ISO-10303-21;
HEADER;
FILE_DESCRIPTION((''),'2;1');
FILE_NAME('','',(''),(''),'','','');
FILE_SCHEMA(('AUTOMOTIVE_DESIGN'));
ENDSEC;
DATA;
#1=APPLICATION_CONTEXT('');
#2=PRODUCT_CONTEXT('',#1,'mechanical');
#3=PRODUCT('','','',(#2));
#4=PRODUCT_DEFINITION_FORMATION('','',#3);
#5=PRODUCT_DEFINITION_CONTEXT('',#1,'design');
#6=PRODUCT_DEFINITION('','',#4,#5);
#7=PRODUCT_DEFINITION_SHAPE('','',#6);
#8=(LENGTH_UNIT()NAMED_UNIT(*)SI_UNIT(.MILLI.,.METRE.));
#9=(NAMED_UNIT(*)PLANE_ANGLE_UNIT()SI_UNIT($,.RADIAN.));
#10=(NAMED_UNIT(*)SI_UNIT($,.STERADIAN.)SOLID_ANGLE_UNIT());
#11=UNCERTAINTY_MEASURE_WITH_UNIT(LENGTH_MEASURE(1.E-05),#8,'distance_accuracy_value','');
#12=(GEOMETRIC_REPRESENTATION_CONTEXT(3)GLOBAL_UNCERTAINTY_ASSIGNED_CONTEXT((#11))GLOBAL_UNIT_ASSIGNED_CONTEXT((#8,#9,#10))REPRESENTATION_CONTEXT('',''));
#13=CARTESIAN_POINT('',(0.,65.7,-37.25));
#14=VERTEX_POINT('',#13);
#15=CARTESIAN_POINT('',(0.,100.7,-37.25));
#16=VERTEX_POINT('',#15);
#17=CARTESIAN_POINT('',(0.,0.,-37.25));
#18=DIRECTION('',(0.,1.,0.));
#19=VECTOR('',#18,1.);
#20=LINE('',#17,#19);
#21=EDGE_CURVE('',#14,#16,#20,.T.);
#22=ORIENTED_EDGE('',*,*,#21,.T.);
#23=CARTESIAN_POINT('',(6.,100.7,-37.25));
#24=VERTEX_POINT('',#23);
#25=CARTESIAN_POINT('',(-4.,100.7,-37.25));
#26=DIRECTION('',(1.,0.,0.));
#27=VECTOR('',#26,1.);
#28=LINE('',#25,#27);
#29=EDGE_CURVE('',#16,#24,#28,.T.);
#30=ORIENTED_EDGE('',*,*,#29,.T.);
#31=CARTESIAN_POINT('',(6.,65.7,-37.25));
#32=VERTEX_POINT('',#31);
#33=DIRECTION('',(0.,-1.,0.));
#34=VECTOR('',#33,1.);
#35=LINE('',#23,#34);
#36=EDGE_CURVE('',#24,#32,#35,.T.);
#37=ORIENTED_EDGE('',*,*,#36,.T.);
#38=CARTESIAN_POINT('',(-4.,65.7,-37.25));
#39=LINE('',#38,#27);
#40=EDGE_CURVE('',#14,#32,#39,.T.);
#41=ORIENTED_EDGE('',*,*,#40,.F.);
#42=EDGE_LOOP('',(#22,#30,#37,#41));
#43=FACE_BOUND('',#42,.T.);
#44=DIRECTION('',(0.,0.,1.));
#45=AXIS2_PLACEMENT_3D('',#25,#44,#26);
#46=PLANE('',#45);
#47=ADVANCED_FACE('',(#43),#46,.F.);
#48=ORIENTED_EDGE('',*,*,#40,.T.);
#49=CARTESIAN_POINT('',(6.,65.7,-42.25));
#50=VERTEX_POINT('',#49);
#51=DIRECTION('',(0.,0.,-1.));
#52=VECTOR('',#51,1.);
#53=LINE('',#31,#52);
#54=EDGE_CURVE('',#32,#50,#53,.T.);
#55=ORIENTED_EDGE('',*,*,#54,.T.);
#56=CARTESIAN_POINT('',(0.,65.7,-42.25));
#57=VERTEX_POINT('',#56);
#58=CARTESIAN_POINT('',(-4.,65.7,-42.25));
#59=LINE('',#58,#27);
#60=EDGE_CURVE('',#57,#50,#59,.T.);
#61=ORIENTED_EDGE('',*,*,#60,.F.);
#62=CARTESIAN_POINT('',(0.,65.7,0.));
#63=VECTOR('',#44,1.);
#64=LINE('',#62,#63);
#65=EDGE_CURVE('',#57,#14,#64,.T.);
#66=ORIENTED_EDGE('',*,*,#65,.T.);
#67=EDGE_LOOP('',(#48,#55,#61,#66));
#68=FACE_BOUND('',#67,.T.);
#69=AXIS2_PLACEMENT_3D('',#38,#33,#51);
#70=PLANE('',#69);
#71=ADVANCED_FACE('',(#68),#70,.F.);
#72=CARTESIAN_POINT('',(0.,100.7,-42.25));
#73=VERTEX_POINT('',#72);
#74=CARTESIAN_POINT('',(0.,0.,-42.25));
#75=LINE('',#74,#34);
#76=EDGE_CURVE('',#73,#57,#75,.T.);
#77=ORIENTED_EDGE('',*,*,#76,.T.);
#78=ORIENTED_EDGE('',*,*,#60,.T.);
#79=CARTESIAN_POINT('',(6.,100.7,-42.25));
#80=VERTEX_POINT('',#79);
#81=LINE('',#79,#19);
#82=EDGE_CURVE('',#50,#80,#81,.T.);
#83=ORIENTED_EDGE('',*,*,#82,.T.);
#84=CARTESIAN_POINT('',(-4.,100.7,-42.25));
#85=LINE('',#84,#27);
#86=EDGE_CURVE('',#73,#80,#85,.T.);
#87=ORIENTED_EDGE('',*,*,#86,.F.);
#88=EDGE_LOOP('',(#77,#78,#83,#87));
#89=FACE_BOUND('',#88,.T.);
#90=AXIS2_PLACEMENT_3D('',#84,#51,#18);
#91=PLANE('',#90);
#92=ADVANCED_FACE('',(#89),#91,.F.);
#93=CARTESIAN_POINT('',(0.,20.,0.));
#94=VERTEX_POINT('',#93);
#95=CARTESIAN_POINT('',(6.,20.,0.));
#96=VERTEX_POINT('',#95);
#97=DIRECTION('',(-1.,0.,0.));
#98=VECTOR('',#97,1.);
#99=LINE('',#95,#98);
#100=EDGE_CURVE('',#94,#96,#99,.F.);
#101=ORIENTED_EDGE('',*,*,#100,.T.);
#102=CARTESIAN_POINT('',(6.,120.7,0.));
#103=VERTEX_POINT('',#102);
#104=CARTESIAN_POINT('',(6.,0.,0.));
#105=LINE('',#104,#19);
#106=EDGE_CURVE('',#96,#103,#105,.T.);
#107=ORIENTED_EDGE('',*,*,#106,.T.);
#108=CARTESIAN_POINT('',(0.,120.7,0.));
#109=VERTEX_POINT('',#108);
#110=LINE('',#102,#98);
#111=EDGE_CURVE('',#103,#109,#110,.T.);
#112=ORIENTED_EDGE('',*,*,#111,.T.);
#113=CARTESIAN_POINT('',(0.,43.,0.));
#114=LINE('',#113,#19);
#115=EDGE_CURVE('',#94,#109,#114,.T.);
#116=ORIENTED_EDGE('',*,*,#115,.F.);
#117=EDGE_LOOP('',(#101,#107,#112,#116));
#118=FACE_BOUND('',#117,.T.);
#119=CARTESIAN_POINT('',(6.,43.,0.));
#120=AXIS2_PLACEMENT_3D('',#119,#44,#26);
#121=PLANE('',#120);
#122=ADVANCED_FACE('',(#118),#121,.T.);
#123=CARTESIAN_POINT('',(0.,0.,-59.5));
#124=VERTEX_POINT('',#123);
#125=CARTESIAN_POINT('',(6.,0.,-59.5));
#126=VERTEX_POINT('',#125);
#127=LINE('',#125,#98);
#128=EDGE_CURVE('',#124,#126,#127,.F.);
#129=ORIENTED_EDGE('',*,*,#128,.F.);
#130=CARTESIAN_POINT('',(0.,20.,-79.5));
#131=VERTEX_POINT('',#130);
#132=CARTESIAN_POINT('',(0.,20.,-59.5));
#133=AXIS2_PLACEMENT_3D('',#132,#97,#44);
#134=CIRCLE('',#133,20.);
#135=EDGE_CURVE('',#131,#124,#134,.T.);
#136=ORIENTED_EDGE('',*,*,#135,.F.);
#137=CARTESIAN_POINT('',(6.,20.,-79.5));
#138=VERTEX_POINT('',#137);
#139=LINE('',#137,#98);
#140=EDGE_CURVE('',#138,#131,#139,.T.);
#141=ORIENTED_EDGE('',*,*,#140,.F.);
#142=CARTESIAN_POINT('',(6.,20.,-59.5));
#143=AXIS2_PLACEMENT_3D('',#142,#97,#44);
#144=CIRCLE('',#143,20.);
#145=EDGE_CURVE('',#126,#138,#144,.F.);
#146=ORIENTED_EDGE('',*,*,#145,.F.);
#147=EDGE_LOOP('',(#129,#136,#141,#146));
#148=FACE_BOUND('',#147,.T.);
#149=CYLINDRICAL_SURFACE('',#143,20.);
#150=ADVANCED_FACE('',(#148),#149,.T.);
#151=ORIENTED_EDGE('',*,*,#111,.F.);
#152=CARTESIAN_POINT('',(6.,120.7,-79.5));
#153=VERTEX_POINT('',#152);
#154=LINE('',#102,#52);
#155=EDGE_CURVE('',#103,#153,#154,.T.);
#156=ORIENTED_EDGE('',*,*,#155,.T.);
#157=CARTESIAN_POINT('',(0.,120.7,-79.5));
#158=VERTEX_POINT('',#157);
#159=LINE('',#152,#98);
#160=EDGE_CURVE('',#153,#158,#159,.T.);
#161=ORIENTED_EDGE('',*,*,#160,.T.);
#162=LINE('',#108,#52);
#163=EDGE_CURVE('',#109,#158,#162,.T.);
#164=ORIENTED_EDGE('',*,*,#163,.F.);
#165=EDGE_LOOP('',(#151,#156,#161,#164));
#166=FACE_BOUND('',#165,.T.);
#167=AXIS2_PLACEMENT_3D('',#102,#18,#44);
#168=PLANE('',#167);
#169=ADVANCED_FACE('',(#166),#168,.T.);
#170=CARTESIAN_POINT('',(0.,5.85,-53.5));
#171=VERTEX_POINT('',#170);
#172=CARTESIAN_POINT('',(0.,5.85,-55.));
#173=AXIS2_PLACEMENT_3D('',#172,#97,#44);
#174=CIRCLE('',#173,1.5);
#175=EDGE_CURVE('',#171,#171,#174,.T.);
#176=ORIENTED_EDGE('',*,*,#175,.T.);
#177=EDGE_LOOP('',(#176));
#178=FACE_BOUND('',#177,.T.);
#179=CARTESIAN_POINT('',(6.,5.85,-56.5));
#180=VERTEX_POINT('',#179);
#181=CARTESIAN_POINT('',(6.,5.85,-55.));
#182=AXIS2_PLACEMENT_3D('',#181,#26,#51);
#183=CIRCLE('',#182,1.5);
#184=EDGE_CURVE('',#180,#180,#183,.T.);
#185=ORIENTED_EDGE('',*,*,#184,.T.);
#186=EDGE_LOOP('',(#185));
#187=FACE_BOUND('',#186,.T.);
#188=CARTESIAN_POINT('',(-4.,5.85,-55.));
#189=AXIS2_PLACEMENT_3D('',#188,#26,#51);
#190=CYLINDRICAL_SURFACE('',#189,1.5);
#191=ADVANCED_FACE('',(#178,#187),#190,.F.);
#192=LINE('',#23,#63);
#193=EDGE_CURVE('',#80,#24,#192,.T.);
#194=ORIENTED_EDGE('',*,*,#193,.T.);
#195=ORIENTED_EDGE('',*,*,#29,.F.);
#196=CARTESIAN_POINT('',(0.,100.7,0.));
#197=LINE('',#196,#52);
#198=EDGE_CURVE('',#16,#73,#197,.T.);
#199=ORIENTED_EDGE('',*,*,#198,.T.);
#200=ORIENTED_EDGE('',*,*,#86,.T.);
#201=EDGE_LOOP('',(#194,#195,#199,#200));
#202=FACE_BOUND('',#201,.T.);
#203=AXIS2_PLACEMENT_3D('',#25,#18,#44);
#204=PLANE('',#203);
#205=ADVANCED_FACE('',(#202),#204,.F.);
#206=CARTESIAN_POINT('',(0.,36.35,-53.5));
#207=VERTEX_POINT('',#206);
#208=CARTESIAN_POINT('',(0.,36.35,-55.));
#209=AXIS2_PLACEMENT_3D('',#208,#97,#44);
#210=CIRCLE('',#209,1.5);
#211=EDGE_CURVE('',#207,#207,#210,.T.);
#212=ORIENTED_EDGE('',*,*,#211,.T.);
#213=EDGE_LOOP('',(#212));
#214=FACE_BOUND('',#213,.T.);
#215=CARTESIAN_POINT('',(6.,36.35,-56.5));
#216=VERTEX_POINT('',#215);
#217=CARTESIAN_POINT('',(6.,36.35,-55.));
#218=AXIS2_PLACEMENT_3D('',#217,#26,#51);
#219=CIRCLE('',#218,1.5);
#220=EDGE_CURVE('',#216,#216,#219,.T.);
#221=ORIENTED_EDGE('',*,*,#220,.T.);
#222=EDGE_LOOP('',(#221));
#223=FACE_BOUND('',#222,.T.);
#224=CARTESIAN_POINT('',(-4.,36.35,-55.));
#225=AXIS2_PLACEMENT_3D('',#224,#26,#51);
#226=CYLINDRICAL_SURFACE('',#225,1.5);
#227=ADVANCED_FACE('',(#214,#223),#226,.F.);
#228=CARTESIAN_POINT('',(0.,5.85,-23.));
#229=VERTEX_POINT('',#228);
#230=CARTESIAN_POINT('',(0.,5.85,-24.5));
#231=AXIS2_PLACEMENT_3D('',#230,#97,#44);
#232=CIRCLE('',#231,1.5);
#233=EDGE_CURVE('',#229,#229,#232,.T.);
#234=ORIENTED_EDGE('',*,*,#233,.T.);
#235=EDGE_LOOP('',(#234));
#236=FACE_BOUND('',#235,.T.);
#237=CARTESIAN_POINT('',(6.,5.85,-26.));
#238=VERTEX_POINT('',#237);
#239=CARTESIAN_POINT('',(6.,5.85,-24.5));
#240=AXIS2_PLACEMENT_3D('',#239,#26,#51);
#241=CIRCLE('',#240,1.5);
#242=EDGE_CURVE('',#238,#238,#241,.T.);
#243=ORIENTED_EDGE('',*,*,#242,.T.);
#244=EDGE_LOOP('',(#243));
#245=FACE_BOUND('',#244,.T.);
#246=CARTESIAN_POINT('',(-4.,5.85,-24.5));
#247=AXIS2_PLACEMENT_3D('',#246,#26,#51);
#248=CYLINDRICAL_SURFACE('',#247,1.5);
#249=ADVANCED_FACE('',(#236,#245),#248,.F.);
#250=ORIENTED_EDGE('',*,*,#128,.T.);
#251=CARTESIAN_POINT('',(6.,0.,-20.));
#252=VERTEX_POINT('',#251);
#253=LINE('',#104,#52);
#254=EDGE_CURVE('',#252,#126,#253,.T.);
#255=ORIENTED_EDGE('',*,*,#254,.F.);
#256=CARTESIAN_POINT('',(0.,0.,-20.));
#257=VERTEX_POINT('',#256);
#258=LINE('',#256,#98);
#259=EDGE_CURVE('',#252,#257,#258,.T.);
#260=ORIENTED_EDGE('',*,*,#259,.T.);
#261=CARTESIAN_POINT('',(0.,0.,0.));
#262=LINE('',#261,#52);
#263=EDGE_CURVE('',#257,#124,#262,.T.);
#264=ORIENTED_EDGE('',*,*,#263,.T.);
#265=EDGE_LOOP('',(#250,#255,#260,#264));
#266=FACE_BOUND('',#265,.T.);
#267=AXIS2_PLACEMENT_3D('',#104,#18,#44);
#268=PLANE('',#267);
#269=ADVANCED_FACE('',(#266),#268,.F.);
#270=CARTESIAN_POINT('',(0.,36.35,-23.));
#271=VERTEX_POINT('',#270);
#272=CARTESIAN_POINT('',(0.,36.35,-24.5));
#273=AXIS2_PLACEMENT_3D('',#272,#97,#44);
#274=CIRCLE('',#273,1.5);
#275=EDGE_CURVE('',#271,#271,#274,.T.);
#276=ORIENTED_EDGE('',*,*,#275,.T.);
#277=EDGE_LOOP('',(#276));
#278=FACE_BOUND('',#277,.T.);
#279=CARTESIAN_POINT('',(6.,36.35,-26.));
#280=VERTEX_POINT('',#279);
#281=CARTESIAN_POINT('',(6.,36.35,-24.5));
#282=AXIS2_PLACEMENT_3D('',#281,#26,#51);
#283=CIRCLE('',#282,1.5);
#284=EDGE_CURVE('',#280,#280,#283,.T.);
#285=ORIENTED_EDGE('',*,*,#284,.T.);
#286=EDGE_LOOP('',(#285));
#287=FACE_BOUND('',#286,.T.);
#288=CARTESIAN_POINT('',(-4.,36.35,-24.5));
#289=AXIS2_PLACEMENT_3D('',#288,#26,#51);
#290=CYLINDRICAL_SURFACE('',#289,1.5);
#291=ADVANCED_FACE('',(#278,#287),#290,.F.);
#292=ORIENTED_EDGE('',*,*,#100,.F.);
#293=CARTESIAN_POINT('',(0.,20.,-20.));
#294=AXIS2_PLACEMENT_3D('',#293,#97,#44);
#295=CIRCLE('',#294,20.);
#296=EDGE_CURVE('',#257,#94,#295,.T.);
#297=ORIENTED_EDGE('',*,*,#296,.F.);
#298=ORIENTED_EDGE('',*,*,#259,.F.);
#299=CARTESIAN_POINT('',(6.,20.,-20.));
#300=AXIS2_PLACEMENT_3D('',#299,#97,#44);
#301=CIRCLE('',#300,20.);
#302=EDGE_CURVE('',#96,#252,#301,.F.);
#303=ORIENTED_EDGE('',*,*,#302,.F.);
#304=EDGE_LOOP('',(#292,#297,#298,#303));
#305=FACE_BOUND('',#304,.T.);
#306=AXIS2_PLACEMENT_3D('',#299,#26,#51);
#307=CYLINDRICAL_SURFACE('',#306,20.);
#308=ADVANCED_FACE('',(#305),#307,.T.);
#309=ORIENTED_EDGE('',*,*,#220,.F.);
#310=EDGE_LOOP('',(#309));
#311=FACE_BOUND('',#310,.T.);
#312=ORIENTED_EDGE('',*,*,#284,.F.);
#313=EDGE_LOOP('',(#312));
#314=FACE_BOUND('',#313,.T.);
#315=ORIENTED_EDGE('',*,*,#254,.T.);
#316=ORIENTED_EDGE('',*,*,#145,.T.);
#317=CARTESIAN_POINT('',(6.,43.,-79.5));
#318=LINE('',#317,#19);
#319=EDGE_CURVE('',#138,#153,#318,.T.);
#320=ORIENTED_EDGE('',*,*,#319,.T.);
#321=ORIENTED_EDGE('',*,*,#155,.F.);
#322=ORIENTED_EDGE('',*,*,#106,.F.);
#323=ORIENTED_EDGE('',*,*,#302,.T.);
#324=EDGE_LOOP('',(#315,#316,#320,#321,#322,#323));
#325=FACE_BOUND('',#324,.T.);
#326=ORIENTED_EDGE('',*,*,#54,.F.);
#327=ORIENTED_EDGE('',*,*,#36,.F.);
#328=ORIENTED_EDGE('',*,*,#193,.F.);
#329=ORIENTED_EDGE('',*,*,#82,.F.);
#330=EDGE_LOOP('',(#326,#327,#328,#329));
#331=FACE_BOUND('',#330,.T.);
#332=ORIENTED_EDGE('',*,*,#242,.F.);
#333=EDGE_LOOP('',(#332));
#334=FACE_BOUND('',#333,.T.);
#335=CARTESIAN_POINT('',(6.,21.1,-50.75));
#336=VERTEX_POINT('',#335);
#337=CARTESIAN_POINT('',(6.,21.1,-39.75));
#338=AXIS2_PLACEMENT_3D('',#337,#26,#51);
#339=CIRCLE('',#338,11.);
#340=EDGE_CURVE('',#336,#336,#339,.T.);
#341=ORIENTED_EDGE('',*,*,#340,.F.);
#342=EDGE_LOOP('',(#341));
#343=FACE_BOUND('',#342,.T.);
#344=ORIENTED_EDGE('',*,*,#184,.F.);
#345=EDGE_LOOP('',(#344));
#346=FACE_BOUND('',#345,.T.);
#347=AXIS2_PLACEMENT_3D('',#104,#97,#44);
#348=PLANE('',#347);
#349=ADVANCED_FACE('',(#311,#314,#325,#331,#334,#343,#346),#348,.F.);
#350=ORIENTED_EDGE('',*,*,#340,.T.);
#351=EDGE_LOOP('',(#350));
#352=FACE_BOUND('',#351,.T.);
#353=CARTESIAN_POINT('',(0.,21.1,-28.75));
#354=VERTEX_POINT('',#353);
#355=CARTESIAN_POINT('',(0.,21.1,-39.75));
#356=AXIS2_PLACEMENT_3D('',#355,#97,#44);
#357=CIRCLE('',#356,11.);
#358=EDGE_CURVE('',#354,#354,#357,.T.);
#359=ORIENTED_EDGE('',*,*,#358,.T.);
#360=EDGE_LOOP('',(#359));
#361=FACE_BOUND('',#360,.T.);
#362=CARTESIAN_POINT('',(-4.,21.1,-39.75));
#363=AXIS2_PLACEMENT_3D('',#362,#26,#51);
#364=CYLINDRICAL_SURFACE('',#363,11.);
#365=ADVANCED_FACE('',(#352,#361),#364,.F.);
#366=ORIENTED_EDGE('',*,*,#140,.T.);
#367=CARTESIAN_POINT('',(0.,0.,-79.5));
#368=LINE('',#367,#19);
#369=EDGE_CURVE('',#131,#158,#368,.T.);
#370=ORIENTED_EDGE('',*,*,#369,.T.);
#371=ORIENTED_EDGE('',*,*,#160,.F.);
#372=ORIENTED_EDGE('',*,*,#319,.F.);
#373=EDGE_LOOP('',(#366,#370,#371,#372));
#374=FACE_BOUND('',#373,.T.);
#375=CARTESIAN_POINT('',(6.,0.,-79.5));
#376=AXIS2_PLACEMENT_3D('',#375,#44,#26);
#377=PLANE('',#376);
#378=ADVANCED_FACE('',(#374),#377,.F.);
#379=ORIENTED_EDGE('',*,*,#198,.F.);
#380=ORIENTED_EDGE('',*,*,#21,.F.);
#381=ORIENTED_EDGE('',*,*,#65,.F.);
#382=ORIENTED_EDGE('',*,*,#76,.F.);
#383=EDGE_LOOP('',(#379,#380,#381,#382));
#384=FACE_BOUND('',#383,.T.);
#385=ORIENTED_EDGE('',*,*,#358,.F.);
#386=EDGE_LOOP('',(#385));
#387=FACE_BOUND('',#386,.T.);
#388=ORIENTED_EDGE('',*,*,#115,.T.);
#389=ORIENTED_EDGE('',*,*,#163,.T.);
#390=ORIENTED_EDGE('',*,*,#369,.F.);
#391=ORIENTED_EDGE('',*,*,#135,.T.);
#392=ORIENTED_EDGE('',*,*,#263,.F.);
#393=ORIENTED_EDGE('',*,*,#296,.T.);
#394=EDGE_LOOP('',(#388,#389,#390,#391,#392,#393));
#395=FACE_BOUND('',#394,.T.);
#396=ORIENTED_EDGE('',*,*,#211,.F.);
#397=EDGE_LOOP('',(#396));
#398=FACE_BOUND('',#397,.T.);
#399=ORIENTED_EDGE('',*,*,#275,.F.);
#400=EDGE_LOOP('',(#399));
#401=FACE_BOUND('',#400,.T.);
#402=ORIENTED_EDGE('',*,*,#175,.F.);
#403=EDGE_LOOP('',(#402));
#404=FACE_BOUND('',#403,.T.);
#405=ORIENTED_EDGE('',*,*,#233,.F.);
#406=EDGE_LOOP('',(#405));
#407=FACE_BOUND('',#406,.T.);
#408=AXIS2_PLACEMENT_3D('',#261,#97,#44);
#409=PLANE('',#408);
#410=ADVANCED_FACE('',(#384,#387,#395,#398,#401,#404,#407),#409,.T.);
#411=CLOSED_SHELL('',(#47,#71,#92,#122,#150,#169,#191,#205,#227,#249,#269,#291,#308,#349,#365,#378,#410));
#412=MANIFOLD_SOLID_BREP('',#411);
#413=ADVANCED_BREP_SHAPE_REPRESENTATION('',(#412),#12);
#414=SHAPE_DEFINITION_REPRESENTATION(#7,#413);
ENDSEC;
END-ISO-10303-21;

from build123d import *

# Parameters (mm, degrees)
BOSS_EXTRUDE2_DEPTH = 6
SKETCH2_W           = 5
SKETCH2_H           = 35
CUT_EXTRUDE1_DEPTH  = 10
SKETCH3_R           = 11
SKETCH3_R_2         = 1.5
CUT_EXTRUDE2_DEPTH  = 10
FILLET1_R           = 20


with BuildPart() as part:
    # Sketch1 → Boss-Extrude2 (new body)
    with BuildSketch(Plane(origin=(0, 0, 0), x_dir=(0, 0, -1), z_dir=(1, 0, 0))):
        Polygon((0, 43), (0, 120.7), (79.5, 120.7), (79.5, 43), (79.5, 0), (0, 0), align=None)
    extrude(amount=BOSS_EXTRUDE2_DEPTH)

    # Sketch2 → Cut-Extrude1 (cut)
    with BuildSketch(Plane(origin=(6, 0, 0), x_dir=(0, 0, -1), z_dir=(1, 0, 0))):
        with Locations((39.75, 83.2)):
            Rectangle(SKETCH2_W, SKETCH2_H)
    extrude(amount=-CUT_EXTRUDE1_DEPTH, mode=Mode.SUBTRACT)

    # Sketch3 → Cut-Extrude2 (cut)
    with BuildSketch(Plane(origin=(6, 0, 0), x_dir=(0, 0, -1), z_dir=(1, 0, 0))):
        with Locations((39.75, 21.1)):
            Circle(SKETCH3_R)
        with Locations((24.5, 36.35)):
            Circle(SKETCH3_R_2)
        with Locations((55, 36.35)):
            Circle(SKETCH3_R_2)
        with Locations((55, 5.85)):
            Circle(SKETCH3_R_2)
        with Locations((24.5, 5.85)):
            Circle(SKETCH3_R_2)
    extrude(amount=-CUT_EXTRUDE2_DEPTH, mode=Mode.SUBTRACT)

    # Fillet1
    fillet1_edges = [part.edges().sort_by_distance(p)[0] for p in [
        (3, 0, 0),
        (3, 0, -79.5),
    ]]
    fillet(fillet1_edges, radius=FILLET1_R)


solid = part.part
